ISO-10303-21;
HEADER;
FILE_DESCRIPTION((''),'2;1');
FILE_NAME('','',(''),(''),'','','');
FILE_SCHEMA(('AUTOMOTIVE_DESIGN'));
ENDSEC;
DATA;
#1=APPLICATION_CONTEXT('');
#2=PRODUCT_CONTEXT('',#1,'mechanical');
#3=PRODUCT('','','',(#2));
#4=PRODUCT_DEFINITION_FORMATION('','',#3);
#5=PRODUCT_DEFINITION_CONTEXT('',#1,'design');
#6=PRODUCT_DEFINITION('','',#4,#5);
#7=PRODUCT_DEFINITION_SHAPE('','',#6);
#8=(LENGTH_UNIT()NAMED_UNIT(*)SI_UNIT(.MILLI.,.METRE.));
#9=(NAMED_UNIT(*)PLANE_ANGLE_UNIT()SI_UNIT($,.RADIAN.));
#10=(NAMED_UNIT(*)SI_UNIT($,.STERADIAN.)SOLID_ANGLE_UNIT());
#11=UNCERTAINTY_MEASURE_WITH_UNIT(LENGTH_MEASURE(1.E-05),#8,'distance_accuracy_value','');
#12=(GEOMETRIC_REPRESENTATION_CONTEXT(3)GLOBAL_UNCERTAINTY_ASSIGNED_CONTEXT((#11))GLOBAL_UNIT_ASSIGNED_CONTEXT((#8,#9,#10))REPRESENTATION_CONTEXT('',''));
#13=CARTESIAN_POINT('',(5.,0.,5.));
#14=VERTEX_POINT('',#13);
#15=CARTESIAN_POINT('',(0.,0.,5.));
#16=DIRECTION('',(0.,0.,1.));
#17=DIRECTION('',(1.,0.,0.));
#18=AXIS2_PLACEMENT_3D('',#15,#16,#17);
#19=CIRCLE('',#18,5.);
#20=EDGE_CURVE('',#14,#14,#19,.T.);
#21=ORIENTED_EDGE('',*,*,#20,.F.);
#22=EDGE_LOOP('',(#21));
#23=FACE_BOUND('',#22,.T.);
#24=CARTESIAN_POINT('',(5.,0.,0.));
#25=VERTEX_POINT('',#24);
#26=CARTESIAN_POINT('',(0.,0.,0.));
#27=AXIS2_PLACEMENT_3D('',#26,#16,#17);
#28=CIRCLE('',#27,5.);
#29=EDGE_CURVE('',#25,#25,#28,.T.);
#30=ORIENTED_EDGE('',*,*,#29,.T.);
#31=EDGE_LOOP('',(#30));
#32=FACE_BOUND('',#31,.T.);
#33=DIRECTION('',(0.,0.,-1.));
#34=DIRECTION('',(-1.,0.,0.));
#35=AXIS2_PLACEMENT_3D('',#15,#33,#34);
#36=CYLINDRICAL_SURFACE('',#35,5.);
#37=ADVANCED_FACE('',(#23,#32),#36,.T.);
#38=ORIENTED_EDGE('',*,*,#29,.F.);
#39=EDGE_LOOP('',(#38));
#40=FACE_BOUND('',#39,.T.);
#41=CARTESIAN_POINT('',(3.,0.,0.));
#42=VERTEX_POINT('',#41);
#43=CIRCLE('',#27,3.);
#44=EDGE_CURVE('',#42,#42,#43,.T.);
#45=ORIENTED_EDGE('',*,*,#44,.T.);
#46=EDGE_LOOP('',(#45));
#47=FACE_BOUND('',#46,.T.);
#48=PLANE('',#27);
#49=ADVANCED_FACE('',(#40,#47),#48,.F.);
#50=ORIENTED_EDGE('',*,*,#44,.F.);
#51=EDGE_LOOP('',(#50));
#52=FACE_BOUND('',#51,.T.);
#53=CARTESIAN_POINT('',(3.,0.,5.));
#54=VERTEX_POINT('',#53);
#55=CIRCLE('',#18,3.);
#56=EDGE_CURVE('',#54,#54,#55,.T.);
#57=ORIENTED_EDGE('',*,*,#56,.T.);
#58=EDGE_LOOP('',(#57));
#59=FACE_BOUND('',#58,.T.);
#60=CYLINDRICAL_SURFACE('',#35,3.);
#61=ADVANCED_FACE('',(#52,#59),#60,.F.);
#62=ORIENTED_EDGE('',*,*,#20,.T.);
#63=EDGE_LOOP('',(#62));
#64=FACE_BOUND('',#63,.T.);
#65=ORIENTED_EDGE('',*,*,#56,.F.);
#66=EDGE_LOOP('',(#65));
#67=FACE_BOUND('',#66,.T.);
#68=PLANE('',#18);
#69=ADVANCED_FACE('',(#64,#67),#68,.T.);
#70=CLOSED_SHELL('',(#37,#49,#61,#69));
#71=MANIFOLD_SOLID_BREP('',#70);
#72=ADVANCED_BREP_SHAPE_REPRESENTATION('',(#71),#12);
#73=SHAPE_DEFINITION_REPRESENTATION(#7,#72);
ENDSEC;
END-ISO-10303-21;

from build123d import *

# Parameters (mm, degrees)
CROQUIS1_R              = 5
CROQUIS1_R_2            = 3
SALIENTE_EXTRUIR1_DEPTH = 5


with BuildPart() as part:
    # Croquis1 → Saliente-Extruir1 (new body)
    with BuildSketch(Plane.XY):
        Circle(CROQUIS1_R)
        Circle(CROQUIS1_R_2, mode=Mode.SUBTRACT)
    extrude(amount=SALIENTE_EXTRUIR1_DEPTH)


solid = part.part
